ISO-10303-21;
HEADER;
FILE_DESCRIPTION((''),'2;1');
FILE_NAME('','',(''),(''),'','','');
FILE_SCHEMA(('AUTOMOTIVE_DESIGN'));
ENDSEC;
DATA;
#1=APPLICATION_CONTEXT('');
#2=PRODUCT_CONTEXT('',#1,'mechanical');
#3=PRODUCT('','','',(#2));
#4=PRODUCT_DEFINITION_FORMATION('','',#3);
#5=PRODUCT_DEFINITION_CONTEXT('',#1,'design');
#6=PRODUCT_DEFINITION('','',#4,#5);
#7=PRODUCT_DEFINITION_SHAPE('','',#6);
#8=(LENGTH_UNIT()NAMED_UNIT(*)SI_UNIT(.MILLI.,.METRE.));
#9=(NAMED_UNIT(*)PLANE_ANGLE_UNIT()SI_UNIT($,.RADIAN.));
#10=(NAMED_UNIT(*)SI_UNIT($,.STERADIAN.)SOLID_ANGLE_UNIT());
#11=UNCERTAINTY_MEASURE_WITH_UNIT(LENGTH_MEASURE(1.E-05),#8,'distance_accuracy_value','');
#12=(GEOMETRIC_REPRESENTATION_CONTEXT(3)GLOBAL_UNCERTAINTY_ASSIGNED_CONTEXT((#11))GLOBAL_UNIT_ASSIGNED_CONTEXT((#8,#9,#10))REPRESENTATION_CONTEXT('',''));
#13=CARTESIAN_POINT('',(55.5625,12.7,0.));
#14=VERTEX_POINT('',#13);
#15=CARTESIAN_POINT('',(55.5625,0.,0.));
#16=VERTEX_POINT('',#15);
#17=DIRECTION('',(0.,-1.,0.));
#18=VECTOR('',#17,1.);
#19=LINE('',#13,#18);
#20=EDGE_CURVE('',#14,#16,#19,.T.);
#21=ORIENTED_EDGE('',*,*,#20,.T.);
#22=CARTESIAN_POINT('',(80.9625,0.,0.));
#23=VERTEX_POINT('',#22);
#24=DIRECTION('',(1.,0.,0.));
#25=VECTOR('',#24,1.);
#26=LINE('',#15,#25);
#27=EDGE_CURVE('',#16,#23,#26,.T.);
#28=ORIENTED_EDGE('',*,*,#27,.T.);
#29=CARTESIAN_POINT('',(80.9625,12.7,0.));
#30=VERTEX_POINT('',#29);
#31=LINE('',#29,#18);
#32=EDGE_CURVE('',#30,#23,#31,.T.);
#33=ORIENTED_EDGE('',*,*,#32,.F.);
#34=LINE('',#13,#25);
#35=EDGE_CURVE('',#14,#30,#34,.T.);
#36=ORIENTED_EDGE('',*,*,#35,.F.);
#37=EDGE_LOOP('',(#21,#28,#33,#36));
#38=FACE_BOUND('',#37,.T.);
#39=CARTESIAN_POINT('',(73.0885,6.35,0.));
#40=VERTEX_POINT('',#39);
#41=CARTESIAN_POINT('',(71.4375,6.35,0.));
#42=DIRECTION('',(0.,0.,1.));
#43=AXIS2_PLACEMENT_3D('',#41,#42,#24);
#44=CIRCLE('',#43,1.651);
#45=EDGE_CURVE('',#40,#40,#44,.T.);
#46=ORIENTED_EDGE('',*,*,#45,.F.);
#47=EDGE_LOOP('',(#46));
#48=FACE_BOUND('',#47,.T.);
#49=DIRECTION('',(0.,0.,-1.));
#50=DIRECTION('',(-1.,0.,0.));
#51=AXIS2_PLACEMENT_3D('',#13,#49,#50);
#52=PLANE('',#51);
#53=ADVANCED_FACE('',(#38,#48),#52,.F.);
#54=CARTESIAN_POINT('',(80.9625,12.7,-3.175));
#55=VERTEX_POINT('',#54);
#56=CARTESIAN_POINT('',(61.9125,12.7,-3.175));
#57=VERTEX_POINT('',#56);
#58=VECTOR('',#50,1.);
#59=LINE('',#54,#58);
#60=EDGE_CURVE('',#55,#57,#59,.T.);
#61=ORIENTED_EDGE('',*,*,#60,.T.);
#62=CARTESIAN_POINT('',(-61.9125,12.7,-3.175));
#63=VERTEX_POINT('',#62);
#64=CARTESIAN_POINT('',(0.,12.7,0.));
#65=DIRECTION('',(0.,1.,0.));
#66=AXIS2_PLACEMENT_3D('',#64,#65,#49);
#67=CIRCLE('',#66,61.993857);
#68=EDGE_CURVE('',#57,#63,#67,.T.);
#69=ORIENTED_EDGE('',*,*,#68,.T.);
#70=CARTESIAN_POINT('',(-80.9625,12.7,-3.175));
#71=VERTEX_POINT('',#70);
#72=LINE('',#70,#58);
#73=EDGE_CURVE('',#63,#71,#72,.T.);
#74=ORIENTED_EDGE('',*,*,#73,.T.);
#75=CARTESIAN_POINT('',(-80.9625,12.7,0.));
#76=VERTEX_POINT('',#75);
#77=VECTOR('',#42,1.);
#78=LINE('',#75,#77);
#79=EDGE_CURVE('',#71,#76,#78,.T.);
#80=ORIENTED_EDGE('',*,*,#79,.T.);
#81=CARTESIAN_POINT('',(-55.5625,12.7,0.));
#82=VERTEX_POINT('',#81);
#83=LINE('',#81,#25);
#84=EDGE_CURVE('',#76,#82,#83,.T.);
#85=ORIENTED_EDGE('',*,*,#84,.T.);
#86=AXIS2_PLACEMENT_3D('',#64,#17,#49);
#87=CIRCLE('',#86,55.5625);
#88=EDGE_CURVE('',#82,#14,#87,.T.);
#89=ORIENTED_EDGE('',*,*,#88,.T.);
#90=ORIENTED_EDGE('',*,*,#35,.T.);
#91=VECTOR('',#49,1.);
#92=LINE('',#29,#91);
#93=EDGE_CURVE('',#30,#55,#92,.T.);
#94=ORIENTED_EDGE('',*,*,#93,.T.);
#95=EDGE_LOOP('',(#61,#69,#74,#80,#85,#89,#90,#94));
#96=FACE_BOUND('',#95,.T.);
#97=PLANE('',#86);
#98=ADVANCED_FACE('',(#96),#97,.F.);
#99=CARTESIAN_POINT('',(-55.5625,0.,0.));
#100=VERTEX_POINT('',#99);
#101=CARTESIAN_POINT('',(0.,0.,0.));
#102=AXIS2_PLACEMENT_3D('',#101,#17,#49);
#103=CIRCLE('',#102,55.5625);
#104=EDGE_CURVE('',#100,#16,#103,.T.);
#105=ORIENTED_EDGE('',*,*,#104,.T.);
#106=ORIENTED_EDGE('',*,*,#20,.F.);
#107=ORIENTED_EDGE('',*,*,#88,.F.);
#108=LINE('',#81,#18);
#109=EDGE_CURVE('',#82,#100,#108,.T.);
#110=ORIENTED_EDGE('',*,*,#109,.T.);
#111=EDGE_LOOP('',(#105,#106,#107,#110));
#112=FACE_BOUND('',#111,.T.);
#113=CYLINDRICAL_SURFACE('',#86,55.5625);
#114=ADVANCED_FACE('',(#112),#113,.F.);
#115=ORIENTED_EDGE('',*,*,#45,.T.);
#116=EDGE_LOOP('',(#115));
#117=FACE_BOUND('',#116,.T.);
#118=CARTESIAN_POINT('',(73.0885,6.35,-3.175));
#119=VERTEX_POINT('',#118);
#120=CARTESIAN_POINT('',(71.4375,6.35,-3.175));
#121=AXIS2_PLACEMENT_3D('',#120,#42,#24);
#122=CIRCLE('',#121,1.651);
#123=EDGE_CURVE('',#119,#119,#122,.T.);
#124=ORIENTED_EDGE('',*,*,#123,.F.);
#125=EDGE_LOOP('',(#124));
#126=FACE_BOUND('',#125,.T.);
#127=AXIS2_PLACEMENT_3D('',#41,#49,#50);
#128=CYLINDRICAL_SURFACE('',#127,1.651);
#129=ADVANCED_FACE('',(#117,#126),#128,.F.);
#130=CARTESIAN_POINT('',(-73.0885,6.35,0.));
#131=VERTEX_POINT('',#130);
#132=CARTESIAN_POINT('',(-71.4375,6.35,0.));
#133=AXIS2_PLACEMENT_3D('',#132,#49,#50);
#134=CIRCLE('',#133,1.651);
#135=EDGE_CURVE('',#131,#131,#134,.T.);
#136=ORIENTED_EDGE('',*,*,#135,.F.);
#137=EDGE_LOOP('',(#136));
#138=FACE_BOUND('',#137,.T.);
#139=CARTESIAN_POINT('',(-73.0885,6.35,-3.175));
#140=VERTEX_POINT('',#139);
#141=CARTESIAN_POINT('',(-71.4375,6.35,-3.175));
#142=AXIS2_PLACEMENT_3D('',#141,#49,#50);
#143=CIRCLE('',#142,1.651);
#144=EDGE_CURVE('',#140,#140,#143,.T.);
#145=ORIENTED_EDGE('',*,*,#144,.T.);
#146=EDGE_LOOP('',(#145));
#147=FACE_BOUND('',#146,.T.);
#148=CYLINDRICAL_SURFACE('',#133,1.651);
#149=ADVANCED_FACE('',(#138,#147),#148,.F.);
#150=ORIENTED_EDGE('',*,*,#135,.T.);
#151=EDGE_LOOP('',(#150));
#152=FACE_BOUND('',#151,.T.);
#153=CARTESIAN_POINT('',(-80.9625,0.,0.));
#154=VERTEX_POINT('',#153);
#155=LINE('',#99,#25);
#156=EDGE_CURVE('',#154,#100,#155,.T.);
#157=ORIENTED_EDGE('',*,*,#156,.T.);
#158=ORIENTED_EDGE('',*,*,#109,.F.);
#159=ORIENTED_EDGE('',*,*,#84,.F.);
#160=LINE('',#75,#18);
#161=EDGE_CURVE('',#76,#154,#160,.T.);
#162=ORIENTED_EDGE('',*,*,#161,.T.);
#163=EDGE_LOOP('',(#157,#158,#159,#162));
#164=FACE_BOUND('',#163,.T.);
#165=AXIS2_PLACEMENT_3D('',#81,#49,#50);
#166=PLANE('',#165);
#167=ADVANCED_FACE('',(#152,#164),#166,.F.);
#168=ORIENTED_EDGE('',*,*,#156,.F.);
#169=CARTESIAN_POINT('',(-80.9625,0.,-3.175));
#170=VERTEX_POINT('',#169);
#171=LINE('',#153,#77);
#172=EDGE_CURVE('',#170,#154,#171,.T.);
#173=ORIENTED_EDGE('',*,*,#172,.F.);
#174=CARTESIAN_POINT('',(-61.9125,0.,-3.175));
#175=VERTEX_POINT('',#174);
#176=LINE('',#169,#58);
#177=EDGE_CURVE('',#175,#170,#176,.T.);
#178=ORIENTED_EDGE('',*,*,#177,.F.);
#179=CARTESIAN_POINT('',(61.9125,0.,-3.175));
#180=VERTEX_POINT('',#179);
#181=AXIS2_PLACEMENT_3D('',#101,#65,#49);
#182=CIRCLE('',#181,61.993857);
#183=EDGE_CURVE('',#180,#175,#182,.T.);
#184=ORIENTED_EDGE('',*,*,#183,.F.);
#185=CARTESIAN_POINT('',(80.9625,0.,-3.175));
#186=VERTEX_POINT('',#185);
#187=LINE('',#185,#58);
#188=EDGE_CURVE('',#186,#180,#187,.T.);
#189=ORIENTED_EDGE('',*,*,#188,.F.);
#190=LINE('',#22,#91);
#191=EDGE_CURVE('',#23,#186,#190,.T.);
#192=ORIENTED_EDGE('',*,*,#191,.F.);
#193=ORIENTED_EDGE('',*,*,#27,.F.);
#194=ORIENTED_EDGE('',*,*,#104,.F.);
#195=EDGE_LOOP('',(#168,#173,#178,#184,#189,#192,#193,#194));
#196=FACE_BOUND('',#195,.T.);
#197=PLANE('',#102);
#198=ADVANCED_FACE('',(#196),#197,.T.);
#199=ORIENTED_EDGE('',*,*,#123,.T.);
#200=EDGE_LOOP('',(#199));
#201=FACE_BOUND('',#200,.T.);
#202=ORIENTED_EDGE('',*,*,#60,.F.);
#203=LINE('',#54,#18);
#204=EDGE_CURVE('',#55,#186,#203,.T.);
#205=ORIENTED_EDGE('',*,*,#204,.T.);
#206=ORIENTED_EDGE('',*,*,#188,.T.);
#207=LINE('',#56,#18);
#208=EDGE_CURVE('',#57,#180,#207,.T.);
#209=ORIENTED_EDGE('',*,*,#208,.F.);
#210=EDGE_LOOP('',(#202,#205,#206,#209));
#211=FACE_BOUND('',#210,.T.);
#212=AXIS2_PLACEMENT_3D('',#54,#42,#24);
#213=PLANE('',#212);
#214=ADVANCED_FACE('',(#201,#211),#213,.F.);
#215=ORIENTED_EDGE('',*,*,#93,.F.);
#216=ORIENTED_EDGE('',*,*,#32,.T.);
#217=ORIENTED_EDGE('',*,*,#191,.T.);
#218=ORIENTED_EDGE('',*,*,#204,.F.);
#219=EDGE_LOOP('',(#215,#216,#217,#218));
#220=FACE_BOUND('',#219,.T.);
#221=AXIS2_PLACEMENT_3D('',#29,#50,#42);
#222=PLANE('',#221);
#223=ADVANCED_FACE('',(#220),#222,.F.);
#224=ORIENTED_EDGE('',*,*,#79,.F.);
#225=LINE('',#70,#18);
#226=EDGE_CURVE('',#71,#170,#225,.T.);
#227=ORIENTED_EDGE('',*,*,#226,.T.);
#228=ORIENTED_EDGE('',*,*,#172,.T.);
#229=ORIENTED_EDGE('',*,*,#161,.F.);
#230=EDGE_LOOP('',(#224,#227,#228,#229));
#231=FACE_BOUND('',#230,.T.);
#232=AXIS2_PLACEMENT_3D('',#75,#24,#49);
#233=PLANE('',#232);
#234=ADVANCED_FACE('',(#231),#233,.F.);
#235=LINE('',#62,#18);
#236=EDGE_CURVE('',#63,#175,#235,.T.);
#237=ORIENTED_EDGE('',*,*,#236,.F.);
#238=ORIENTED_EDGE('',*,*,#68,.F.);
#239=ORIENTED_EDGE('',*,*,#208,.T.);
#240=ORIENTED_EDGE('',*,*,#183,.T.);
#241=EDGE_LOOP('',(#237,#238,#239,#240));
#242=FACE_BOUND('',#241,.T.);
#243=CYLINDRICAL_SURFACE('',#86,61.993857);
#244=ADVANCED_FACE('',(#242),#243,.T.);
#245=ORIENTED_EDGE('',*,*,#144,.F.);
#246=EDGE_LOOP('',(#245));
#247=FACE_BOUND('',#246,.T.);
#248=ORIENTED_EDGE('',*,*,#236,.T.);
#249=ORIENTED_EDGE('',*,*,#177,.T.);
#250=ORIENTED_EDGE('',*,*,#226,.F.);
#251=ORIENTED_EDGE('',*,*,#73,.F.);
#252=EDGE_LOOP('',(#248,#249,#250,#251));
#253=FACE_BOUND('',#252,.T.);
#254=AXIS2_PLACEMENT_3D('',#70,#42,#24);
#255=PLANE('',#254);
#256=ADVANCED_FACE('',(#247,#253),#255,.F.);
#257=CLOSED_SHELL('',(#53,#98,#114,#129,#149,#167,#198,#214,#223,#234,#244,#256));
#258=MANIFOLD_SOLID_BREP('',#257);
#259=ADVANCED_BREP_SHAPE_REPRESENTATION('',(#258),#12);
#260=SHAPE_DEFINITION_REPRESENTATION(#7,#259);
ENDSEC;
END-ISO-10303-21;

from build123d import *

# Parameters (mm, degrees)
BOSS_EXTRUDE1_DEPTH = 12.7
SKETCH5_R           = 1.651
CUT_EXTRUDE1_DEPTH  = 4.175


with BuildPart() as part:
    # Sketch1 → Boss-Extrude1 (new body)
    with BuildSketch(Plane(origin=(0, 0, 0), x_dir=(1, 0, 0), z_dir=(0, 1, 0))):
        with BuildLine():
            Line((-55.5625, 0), (-80.9625, 0))
            Line((-80.9625, 0), (-80.9625, 3.175))
            Line((-80.9625, 3.175), (-61.9125, 3.175))
            ThreePointArc((-61.9125, 3.175), (0, 61.993856803), (61.9125, 3.175))
            Line((61.9125, 3.175), (80.9625, 3.175))
            Line((80.9625, 3.175), (80.9625, 0))
            Line((80.9625, 0), (55.5625, 0))
            ThreePointArc((55.5625, 0), (0, 55.5625), (-55.5625, 0))
        make_face()
    extrude(amount=BOSS_EXTRUDE1_DEPTH)

    # Sketch5 → Cut-Extrude1 (cut, through all)
    with BuildSketch(Plane(origin=(0, 0, -3.175), x_dir=(-1, 0, 0), z_dir=(0, 0, -1))):
        with Locations((71.4375, 6.35)):
            Circle(SKETCH5_R)
    cut_extrude1 = extrude(amount=-CUT_EXTRUDE1_DEPTH, mode=Mode.SUBTRACT)

    # Mirror1: Cut-Extrude1 across plane
    add(cut_extrude1.mirror(Plane(origin=(0, 0, 0), x_dir=(0, 0, 1), z_dir=(1, 0, 0))), mode=Mode.SUBTRACT)


solid = part.part
